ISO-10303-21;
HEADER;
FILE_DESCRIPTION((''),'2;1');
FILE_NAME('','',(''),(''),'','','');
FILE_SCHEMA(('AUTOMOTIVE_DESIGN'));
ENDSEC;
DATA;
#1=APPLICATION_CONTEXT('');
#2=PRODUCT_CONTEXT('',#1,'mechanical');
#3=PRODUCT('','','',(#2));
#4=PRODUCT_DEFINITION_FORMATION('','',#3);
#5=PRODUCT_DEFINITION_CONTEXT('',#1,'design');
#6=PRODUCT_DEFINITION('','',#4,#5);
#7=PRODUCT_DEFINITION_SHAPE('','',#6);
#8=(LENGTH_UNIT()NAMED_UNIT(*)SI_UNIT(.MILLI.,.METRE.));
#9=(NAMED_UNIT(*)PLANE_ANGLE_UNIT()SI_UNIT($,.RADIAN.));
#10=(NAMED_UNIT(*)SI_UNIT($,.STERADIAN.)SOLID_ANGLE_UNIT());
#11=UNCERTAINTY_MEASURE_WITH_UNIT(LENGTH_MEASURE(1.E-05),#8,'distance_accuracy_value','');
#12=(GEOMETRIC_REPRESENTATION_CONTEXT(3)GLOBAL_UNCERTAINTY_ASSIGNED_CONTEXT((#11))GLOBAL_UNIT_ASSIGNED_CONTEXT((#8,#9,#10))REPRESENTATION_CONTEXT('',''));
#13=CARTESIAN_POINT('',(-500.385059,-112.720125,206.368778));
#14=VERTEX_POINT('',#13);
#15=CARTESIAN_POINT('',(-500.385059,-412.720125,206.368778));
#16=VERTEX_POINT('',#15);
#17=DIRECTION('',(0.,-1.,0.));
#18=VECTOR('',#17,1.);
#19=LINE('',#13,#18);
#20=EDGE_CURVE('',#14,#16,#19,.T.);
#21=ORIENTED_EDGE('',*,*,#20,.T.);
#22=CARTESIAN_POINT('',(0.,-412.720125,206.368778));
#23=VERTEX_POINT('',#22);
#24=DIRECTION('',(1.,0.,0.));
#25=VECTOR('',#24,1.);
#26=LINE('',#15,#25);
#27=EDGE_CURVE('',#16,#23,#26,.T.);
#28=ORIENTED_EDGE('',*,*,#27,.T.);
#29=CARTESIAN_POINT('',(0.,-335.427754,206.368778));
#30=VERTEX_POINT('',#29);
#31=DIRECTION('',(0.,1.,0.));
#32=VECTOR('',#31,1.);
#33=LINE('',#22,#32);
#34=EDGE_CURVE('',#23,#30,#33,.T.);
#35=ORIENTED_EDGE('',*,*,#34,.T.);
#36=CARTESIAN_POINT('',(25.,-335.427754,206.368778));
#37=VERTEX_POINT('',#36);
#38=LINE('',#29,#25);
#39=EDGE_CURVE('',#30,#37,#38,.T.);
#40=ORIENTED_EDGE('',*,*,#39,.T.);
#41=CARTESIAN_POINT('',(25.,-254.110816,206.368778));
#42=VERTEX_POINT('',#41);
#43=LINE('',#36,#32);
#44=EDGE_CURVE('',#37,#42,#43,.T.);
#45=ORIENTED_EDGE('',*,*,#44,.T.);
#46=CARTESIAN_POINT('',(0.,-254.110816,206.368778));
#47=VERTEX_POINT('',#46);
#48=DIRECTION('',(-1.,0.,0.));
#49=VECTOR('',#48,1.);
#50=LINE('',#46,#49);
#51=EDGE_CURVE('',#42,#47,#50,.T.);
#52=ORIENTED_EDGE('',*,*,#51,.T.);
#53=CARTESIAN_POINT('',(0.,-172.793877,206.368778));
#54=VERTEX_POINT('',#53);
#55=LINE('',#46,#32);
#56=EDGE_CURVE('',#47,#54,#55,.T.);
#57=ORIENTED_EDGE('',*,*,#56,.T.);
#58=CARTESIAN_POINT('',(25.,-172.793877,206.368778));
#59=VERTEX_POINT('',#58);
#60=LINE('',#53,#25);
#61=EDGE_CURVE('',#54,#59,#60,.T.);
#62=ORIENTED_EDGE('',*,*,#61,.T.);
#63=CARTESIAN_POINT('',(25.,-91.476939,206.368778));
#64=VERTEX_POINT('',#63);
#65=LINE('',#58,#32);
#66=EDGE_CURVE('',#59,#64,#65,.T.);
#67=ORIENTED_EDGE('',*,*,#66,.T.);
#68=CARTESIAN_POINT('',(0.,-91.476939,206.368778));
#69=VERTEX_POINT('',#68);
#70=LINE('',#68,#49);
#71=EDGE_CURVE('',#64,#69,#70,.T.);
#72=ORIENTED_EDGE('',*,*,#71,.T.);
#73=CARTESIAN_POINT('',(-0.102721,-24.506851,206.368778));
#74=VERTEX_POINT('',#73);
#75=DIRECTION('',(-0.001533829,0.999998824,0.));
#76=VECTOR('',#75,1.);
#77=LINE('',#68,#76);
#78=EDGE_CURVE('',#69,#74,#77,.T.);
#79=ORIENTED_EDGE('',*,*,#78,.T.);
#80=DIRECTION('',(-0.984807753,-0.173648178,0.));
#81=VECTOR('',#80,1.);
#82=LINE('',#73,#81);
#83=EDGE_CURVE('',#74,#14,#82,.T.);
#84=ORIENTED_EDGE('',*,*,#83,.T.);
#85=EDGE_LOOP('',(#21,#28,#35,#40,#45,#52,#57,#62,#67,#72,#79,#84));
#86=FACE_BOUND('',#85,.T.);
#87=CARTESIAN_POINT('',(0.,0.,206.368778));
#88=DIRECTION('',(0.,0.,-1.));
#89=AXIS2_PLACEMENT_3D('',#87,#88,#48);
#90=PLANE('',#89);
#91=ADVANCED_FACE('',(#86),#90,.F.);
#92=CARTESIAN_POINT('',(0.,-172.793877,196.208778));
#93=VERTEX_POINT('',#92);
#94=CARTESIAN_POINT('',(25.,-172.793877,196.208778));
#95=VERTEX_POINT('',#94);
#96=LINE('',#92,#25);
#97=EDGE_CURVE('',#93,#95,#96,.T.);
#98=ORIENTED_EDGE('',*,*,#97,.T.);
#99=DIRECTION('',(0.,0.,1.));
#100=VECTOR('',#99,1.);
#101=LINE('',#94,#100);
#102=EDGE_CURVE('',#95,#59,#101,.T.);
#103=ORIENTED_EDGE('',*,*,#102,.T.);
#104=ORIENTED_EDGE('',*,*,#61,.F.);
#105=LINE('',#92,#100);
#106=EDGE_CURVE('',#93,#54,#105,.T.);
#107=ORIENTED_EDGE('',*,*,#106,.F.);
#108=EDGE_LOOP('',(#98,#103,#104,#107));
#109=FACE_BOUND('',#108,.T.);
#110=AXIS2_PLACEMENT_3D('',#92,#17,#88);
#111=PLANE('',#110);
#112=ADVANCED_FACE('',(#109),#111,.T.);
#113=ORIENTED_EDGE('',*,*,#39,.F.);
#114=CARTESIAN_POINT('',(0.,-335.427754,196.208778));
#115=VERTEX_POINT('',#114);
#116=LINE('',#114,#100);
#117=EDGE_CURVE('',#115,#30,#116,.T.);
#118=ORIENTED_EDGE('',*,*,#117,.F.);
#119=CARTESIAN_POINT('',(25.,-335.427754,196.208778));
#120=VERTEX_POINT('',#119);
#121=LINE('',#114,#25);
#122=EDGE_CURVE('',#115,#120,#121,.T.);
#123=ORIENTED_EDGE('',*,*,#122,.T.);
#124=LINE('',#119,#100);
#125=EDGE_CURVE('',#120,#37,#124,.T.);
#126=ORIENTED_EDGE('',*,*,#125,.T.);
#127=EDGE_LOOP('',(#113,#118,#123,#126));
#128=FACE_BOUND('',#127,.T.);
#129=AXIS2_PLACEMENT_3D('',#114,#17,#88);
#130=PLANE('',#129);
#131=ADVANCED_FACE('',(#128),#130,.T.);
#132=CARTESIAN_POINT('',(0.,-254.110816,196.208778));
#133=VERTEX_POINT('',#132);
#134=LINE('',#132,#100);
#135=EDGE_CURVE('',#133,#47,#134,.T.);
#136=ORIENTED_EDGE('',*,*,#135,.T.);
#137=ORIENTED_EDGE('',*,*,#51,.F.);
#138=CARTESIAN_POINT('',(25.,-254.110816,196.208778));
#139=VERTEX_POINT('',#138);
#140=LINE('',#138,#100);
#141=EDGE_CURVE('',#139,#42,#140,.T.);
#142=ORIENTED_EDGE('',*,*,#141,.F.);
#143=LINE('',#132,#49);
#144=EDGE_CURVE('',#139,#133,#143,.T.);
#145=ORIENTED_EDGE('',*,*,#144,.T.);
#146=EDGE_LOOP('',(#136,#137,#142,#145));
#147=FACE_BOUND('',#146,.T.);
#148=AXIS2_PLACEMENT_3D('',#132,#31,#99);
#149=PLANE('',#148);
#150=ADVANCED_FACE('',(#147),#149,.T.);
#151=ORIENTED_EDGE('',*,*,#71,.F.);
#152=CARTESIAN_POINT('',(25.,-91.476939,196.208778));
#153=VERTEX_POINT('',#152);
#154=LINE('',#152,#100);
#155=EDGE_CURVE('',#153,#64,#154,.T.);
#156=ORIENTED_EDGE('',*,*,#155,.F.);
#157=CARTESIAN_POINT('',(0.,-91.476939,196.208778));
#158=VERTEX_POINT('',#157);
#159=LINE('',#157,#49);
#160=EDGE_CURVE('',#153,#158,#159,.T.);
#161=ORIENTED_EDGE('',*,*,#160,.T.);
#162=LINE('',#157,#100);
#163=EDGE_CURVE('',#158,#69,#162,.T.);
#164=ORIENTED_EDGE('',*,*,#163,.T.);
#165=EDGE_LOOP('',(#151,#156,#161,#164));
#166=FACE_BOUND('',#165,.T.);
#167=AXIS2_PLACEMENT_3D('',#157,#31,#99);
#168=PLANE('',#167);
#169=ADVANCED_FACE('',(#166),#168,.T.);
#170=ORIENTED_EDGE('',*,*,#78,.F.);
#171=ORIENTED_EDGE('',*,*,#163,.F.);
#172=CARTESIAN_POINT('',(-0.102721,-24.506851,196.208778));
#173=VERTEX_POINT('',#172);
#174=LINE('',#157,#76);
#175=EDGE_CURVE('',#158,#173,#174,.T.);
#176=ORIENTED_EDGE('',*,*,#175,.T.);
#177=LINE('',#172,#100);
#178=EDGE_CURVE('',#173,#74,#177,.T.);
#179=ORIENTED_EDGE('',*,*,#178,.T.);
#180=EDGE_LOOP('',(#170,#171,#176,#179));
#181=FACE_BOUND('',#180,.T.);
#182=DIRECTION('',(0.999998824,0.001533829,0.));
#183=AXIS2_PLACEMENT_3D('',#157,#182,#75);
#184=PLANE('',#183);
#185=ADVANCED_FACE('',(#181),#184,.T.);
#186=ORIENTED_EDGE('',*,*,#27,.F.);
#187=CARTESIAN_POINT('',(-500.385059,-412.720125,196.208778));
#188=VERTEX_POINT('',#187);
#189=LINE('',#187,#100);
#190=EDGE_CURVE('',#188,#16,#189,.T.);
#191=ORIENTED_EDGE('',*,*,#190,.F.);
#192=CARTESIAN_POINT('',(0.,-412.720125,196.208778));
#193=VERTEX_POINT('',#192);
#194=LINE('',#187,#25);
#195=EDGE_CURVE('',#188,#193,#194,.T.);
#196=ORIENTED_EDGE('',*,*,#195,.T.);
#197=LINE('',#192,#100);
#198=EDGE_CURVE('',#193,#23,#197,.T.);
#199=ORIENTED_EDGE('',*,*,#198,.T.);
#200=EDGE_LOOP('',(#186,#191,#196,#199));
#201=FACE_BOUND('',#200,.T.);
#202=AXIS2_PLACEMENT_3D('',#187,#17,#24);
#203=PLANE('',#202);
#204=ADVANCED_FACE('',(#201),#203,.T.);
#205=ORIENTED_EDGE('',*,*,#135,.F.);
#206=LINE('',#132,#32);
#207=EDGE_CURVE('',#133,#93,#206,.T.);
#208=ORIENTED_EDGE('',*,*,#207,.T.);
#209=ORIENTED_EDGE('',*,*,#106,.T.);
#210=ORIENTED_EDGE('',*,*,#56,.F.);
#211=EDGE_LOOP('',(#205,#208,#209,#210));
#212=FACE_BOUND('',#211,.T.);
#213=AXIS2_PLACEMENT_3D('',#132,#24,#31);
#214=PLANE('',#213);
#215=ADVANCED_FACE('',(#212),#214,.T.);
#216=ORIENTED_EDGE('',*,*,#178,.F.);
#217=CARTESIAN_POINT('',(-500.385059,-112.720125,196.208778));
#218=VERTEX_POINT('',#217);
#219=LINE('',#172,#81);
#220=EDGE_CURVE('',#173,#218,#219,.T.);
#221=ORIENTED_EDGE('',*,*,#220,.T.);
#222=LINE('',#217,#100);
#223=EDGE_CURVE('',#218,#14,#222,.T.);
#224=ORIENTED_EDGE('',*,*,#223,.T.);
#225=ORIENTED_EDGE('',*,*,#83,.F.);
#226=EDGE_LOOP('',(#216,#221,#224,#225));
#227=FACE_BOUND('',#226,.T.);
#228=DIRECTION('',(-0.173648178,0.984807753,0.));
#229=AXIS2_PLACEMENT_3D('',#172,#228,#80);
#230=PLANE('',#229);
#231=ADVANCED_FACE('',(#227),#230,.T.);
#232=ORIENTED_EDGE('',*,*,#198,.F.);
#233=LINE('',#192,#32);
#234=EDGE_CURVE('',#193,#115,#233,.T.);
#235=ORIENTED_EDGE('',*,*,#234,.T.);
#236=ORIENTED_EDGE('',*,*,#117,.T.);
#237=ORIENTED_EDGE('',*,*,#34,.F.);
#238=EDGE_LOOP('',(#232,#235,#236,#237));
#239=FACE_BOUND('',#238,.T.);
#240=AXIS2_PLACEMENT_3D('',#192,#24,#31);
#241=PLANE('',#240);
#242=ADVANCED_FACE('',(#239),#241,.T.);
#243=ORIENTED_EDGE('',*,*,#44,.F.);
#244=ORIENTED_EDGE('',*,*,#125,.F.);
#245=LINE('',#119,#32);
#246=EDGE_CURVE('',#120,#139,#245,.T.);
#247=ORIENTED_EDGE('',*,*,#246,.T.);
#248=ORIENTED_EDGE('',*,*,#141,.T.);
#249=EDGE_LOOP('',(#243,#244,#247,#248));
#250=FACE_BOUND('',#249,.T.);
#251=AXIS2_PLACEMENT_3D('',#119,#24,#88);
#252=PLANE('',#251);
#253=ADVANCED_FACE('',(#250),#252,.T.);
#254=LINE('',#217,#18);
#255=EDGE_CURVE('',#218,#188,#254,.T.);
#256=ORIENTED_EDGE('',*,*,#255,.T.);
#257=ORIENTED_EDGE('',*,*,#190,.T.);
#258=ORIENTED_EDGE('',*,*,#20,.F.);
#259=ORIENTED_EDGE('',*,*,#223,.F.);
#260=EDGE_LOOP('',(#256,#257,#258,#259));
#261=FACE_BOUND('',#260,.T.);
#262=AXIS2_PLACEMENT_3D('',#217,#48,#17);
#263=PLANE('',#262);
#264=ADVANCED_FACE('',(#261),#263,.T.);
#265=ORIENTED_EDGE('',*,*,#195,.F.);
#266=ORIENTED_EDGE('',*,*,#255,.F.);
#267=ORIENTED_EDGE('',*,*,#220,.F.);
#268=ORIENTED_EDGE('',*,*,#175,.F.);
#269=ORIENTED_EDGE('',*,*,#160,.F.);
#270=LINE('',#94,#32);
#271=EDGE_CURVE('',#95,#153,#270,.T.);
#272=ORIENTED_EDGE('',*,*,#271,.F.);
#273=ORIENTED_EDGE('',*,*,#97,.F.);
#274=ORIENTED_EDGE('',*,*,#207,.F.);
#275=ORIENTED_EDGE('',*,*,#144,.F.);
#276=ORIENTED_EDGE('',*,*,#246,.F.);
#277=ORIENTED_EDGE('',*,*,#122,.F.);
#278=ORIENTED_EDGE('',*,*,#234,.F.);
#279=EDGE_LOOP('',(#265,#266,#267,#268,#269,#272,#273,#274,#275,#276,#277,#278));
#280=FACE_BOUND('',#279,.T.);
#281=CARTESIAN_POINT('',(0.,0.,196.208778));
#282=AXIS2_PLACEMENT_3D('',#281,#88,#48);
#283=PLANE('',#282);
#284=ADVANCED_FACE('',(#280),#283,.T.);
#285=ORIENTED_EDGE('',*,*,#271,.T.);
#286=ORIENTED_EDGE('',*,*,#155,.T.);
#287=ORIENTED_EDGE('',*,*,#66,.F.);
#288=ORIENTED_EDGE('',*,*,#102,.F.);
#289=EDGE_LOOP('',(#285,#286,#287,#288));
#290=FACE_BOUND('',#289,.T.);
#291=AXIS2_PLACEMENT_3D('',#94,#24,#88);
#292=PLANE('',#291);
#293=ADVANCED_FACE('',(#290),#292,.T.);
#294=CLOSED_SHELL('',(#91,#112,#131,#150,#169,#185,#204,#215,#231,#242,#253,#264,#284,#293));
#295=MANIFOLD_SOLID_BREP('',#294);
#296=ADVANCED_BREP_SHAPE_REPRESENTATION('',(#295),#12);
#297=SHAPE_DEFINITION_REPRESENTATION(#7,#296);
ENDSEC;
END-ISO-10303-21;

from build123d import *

# Parameters (mm, degrees)
BOSS_EXTRUDE1_START = 196.208778
BOSS_EXTRUDE1_DEPTH = 10.16


with BuildPart() as part:
    # Sketch1 → Boss-Extrude1 (new body)
    with BuildSketch(Plane.XY.offset(BOSS_EXTRUDE1_START)):
        Polygon((-0.102720764, -24.506851212), (-500.385059294, -112.720125467), (-500.385059294, -412.720125467), (0, -412.720125467), (0, -335.42775434), (25, -335.42775434), (25, -254.110815755), (0, -254.110815755), (0, -172.79387717), (25, -172.79387717), (25, -91.476938585), (0, -91.476938585), align=None)
    extrude(amount=BOSS_EXTRUDE1_DEPTH)


solid = part.part
